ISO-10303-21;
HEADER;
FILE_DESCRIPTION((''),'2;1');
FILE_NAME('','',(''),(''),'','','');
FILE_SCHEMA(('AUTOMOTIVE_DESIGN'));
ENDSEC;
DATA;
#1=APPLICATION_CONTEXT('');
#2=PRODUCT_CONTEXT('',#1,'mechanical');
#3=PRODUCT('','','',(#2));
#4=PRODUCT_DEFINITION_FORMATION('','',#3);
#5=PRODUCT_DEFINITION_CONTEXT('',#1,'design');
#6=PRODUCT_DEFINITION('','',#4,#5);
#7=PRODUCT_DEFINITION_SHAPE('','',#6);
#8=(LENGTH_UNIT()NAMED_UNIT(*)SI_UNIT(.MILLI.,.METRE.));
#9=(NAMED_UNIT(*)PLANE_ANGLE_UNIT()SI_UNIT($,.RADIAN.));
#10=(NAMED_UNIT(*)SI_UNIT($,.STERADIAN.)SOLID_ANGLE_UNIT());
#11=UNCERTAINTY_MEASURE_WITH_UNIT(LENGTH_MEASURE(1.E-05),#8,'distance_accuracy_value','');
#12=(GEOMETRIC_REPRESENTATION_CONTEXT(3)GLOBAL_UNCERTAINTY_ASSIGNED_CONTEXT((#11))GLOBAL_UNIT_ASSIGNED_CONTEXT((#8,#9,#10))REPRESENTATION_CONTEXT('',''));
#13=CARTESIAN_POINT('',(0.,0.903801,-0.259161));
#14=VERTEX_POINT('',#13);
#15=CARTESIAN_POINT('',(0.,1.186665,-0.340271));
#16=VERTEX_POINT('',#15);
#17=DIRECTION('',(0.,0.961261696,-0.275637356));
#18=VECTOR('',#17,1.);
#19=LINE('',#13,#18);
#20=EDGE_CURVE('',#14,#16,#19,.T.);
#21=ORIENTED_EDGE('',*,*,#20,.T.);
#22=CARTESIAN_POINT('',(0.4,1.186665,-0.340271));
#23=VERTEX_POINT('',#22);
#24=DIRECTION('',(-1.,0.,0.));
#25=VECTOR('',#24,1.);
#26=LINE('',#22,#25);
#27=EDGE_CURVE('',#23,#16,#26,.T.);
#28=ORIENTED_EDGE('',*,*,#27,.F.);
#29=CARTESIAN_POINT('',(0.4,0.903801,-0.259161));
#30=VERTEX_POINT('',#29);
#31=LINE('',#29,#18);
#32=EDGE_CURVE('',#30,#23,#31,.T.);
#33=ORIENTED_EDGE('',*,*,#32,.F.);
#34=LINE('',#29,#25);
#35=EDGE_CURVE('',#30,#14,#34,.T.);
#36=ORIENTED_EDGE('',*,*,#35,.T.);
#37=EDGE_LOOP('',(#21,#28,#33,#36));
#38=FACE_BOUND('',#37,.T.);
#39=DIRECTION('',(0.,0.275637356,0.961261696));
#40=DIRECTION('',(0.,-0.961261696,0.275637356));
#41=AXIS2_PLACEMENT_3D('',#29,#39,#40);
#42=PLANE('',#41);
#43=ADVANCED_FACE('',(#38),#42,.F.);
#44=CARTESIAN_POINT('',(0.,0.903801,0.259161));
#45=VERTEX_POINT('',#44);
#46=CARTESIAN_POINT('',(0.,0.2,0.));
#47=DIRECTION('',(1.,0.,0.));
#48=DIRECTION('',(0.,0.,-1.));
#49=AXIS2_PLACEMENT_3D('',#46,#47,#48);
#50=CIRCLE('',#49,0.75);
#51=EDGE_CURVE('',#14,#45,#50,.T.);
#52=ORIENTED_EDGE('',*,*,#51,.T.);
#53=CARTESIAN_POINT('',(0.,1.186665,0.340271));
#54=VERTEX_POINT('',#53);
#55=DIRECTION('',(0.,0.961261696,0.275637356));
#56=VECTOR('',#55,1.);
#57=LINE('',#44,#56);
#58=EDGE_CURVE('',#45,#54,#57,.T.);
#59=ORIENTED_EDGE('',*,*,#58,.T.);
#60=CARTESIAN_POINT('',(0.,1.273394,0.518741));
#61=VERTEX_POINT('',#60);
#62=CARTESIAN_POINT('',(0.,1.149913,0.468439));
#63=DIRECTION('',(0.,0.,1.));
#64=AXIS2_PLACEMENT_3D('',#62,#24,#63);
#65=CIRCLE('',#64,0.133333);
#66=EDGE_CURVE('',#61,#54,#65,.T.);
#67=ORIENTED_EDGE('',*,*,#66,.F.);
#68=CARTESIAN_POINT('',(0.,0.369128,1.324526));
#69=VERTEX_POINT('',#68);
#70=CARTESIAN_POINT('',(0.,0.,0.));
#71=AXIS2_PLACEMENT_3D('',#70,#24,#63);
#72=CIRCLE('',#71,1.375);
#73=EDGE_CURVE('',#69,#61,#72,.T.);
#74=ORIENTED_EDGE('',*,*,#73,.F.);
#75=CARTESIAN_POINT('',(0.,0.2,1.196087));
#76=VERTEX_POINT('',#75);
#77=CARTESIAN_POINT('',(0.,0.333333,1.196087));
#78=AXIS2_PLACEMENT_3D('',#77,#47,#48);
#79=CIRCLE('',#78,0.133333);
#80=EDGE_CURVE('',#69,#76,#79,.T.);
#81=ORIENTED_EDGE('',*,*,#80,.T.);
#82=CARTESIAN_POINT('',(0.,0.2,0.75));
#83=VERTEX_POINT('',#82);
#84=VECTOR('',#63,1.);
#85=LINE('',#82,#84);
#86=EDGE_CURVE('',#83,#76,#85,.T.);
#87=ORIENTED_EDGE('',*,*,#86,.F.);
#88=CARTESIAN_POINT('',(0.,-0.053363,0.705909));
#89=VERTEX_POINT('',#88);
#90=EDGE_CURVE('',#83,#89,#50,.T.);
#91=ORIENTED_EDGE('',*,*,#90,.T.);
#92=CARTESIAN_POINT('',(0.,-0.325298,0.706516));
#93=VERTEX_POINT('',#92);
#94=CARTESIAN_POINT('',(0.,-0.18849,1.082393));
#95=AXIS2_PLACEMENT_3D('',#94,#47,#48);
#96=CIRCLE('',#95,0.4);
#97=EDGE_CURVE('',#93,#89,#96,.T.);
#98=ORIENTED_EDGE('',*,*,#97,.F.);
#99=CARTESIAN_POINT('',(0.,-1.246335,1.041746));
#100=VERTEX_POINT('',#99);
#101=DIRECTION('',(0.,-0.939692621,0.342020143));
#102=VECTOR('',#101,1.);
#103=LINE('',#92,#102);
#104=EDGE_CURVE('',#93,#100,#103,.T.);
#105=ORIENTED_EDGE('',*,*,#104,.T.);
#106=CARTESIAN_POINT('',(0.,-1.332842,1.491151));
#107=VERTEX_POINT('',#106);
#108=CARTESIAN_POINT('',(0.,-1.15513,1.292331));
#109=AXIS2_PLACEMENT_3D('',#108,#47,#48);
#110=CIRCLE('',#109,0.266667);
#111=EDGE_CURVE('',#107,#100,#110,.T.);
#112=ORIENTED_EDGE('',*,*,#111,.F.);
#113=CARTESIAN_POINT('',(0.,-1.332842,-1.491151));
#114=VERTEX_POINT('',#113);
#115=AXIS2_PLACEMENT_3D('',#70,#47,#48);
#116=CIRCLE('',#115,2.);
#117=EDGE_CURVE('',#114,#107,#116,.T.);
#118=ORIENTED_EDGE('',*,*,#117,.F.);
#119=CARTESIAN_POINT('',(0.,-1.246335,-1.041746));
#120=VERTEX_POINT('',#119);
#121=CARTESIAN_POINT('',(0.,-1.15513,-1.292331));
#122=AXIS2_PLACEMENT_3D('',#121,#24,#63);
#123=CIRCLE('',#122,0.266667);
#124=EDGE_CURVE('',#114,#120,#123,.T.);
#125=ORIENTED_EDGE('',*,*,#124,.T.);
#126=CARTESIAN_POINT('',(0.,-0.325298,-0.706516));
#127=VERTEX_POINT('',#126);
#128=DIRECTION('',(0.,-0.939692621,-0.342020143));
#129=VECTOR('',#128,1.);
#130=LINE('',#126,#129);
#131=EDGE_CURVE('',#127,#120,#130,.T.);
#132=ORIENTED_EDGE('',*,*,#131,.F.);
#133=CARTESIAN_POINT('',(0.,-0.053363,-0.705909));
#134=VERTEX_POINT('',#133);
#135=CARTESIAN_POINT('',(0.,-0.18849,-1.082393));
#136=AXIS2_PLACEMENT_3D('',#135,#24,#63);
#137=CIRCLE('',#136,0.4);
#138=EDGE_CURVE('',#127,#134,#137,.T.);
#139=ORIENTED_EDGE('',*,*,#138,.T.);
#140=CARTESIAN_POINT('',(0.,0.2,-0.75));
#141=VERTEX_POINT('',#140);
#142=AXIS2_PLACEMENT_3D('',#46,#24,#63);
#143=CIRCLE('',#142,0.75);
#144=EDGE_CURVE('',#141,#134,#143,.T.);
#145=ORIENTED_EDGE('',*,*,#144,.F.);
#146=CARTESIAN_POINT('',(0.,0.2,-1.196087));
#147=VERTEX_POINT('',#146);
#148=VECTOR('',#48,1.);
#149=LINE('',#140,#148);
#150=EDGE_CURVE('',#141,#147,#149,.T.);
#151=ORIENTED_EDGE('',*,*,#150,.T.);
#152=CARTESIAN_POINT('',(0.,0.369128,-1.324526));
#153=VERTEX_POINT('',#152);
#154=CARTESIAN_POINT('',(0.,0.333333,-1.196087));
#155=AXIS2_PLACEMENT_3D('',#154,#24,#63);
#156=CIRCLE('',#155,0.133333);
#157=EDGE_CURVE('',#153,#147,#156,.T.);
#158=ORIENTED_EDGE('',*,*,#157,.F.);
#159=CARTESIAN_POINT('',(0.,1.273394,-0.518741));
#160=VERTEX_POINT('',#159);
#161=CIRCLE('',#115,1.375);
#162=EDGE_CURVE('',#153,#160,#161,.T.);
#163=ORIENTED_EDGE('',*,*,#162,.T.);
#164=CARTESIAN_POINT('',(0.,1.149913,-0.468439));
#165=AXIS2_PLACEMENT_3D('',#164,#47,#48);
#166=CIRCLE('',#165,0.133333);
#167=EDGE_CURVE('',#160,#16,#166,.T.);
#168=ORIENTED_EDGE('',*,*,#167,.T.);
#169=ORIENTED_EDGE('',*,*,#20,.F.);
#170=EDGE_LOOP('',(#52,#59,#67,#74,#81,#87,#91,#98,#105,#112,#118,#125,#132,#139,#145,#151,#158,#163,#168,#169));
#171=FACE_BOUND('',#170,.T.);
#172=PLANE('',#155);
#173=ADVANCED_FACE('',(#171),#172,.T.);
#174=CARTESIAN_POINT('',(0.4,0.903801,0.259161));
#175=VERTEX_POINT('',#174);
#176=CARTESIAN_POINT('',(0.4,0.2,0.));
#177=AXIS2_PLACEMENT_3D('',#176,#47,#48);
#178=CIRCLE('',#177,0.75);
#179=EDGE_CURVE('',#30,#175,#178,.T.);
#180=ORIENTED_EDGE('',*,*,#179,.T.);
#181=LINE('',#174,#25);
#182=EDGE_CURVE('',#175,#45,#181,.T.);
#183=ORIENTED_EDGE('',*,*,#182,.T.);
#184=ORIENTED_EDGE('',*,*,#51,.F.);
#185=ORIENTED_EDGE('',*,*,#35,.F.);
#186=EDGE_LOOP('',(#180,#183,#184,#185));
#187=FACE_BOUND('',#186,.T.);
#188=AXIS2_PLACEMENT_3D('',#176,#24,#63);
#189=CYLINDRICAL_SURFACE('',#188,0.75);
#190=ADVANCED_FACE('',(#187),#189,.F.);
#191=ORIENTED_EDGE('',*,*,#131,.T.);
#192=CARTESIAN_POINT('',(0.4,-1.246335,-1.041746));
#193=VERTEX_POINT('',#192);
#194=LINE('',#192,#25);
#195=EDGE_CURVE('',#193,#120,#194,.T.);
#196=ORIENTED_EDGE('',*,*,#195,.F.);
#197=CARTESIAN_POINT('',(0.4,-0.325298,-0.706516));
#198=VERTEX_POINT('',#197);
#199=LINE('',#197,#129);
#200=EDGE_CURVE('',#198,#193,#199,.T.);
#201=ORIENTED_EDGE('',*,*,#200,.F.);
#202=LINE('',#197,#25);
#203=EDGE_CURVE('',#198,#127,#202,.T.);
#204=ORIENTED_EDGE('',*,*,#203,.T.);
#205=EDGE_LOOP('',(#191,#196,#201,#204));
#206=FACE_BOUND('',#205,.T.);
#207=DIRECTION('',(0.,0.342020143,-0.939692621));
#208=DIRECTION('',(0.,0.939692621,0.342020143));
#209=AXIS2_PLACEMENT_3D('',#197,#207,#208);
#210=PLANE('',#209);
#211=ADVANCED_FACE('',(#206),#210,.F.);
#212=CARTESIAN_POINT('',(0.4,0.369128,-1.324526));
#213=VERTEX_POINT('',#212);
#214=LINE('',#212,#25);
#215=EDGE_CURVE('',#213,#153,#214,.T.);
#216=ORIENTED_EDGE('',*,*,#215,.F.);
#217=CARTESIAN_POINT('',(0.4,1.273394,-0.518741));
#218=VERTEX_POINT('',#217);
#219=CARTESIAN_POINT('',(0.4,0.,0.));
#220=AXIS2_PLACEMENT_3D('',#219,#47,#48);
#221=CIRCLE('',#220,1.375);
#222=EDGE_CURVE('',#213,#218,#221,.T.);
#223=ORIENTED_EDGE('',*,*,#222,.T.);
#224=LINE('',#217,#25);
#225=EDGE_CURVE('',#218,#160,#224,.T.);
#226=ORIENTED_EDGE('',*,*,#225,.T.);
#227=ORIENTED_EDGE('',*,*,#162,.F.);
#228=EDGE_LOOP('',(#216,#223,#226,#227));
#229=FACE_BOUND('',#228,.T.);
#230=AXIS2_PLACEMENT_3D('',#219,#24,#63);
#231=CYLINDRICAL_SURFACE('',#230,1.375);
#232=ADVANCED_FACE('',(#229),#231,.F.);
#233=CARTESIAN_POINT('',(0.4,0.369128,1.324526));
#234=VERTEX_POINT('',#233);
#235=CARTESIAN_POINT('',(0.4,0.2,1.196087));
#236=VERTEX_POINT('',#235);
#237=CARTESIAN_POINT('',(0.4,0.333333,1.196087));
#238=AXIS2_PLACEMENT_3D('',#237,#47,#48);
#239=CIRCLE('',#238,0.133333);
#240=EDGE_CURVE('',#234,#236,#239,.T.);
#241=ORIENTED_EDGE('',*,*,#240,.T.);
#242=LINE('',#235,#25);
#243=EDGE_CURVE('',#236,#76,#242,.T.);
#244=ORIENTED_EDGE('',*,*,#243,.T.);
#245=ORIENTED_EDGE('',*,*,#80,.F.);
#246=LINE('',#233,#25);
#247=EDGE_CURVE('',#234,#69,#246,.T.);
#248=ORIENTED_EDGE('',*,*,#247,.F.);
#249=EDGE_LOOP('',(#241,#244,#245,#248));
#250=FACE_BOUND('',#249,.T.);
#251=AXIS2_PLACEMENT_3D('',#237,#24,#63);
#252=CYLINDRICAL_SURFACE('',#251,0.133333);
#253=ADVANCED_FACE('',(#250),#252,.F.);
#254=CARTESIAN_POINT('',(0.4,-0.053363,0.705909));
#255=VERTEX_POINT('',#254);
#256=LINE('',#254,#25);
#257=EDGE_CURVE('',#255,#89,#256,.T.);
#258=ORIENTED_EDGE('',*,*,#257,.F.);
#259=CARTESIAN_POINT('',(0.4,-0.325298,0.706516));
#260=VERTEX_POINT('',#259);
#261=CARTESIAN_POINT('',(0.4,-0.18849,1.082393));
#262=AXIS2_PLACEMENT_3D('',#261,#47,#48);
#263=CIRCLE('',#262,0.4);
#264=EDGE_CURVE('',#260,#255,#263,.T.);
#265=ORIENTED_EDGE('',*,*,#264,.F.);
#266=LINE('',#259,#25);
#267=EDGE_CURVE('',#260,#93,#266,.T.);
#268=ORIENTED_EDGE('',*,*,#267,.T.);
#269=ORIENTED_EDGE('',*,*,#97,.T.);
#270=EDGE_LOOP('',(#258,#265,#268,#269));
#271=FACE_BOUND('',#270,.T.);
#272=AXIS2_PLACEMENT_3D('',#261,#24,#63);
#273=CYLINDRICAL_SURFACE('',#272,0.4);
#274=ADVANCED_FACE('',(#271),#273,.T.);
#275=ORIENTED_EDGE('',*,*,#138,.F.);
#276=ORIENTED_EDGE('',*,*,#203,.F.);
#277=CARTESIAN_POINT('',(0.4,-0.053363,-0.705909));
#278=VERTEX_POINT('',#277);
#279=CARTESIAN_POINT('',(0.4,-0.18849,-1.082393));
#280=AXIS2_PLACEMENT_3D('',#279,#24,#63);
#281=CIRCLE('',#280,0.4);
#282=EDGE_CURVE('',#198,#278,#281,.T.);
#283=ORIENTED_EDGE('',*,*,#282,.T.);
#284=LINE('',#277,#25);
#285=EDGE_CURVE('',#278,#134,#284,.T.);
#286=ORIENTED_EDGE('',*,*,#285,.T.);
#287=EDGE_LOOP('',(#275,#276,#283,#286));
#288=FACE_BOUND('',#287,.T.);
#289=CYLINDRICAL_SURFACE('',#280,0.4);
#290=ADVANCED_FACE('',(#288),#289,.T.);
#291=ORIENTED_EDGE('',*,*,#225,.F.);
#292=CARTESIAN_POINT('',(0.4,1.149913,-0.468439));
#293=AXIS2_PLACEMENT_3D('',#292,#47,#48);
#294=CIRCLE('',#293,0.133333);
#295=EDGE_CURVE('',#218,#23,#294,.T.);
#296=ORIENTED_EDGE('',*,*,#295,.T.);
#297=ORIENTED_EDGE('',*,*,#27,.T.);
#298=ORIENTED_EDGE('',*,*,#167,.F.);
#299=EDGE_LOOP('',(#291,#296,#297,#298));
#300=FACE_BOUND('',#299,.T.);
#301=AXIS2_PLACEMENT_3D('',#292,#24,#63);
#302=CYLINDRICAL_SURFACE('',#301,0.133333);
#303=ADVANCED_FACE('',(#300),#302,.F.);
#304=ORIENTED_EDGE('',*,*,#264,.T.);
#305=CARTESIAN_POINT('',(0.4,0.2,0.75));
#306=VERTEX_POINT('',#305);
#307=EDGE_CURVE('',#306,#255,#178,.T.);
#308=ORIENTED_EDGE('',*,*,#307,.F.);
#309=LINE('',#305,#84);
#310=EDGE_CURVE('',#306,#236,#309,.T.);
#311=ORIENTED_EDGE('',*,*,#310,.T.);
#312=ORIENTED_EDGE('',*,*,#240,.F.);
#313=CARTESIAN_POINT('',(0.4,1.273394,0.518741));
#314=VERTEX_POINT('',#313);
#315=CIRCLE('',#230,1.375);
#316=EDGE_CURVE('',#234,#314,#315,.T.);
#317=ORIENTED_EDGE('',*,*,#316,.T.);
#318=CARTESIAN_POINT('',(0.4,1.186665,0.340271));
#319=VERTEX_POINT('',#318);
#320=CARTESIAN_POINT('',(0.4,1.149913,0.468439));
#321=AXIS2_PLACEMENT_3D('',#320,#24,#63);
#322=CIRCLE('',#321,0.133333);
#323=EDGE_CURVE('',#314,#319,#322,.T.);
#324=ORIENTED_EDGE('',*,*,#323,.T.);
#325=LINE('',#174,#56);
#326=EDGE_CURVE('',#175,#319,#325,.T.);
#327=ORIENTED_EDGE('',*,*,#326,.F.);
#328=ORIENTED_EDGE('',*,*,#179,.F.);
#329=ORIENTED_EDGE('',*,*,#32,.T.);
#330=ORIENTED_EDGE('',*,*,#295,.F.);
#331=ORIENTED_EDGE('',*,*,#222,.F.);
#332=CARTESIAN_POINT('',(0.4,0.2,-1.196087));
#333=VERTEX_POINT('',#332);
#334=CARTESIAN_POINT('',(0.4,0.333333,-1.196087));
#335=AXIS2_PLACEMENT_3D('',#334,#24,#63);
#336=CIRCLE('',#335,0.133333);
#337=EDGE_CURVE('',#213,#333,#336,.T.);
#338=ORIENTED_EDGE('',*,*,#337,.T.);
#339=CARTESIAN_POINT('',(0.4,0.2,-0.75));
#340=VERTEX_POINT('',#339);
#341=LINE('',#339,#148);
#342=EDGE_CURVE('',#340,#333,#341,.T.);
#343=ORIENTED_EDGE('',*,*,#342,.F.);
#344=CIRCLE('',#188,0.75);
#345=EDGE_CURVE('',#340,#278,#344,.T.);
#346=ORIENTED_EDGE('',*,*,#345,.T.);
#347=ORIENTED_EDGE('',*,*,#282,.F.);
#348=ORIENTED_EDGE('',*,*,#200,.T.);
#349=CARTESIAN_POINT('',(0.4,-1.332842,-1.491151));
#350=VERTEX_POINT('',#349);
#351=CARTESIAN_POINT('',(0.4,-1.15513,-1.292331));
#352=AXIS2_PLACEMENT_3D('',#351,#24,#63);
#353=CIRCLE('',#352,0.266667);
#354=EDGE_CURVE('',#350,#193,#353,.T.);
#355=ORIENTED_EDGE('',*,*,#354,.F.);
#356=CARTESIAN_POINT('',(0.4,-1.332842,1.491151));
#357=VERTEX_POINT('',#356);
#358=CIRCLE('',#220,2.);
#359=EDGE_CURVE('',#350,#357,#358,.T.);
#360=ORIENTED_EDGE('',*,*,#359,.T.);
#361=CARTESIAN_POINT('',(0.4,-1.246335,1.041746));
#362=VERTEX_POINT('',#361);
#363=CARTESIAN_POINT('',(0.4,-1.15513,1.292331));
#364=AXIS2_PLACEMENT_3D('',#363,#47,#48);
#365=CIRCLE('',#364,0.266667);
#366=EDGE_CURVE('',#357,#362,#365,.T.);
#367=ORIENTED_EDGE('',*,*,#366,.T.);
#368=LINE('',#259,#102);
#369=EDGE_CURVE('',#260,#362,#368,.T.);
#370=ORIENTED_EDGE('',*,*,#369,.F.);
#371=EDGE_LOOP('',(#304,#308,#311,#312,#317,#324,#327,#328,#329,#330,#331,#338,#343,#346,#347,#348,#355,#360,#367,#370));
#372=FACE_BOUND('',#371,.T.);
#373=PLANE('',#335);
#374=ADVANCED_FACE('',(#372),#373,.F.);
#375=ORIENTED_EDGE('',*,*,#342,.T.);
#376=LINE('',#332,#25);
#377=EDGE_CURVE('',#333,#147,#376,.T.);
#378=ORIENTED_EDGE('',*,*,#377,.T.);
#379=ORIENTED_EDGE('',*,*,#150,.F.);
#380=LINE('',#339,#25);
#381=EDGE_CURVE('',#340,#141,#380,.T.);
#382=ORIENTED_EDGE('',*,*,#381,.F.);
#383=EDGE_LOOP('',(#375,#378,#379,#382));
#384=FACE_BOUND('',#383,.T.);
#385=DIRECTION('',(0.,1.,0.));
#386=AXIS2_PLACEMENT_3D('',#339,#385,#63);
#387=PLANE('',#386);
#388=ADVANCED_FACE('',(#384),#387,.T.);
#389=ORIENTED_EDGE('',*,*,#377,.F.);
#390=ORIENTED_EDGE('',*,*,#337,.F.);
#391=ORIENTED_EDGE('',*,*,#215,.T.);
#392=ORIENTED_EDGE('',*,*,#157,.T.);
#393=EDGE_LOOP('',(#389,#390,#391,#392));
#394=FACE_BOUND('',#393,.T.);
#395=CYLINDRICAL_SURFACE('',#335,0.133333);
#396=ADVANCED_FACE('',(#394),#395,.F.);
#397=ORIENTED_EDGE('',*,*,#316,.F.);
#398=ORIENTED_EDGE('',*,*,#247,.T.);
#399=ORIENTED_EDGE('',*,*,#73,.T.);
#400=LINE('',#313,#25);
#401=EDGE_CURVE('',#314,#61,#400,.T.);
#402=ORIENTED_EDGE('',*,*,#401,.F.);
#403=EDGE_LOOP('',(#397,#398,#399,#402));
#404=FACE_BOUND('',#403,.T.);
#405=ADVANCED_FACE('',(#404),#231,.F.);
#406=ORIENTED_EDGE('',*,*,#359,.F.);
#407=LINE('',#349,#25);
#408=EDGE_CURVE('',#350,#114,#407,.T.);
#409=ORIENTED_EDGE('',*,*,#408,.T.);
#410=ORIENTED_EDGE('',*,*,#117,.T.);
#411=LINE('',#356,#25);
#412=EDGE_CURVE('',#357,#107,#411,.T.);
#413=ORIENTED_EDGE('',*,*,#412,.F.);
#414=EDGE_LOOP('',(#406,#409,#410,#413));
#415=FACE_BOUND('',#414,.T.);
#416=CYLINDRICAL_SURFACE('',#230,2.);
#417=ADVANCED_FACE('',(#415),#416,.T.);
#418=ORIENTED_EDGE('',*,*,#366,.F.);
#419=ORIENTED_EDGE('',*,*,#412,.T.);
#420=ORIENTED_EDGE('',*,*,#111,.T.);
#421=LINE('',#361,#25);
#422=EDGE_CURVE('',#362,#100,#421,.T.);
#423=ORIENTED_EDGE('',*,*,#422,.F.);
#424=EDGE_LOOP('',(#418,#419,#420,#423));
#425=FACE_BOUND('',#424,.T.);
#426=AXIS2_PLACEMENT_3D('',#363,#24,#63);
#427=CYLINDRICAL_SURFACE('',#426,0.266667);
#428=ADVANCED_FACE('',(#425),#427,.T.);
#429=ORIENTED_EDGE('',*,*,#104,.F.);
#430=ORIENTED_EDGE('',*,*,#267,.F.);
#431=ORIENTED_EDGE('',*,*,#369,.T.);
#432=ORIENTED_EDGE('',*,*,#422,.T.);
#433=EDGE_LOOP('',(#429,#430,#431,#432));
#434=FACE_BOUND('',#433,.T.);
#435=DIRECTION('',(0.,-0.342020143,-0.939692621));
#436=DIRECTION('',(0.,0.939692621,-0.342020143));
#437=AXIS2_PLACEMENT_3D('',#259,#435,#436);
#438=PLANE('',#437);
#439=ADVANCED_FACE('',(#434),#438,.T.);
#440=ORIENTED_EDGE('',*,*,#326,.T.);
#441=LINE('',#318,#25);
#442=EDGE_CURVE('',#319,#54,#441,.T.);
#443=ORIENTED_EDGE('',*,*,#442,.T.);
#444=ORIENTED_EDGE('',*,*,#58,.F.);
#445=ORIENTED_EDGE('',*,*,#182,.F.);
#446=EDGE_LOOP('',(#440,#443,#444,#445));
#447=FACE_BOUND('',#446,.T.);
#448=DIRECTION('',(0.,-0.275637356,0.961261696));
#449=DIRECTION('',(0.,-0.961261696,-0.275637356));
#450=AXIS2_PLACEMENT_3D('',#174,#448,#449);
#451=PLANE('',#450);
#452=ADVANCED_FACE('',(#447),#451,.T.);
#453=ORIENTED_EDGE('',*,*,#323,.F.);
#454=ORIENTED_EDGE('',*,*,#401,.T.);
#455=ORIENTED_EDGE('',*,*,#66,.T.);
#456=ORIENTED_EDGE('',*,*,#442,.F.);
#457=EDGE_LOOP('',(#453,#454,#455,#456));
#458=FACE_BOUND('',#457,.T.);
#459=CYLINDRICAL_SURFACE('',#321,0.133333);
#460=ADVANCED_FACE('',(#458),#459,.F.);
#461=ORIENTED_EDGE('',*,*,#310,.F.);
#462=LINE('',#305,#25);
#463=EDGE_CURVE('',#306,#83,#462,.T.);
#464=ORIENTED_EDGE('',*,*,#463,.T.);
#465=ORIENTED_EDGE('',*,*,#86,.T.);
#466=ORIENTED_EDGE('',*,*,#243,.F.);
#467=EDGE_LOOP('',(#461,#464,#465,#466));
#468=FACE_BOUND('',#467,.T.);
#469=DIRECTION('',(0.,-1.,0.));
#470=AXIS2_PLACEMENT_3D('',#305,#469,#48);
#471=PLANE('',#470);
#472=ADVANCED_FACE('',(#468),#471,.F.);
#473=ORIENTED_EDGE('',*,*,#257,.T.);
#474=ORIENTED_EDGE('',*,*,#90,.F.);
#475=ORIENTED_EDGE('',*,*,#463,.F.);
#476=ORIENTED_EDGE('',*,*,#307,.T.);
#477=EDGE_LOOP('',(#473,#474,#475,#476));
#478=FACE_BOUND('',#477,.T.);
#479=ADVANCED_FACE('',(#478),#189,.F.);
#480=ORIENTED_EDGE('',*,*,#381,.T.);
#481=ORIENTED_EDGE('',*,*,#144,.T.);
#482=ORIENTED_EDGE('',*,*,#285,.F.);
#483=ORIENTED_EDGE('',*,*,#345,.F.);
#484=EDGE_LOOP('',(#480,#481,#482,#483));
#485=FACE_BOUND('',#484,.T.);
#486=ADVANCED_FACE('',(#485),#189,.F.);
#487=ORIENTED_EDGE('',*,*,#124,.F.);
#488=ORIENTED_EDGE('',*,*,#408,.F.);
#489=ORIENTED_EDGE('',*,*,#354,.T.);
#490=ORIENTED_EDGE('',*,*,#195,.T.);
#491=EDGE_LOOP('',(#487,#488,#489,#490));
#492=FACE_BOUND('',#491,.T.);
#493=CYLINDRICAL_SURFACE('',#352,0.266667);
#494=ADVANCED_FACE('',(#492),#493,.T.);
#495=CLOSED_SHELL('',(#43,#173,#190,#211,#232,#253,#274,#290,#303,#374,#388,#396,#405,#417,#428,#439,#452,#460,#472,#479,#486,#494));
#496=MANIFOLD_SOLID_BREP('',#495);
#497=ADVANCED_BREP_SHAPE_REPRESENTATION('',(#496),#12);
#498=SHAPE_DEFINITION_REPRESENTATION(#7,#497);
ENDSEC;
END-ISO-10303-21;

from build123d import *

# Parameters (mm, degrees)
BASE_EXTRUSION_DEPTH = 0.4


with BuildPart() as part:
    # Esquisse1 → Base-Extrusion (new body)
    with BuildSketch(Plane(origin=(0, 0, 0), x_dir=(0, 0, -1), z_dir=(1, 0, 0))):
        with BuildLine():
            Line((0.259160739, 0.903800903), (0.340270753, 1.186665137))
            ThreePointArc((0.340270753, 1.186665137), (0.410161537, 1.269836455), (0.518741151, 1.273394133))
            ThreePointArc((0.518741151, 1.273394133), (1.026563801, 0.914763228), (1.324526284, 0.369127517))
            ThreePointArc((1.324526284, 0.369127517), (1.302271964, 0.252694571), (1.196087371, 0.2))
            Line((1.196087371, 0.2), (0.75, 0.2))
            ThreePointArc((0.75, 0.2), (0.738894958, 0.071414458), (0.705908689, -0.053363222))
            ThreePointArc((0.705908689, -0.053363222), (0.682394322, -0.189383994), (0.706516275, -0.325298332))
            Line((0.706516275, -0.325298332), (1.041746298, -1.246335251))
            ThreePointArc((1.041746298, -1.246335251), (1.241925107, -1.416989302), (1.491151151, -1.332842168))
            ThreePointArc((1.491151151, -1.332842168), (0, 2), (-1.491151151, -1.332842168))
            ThreePointArc((-1.491151151, -1.332842168), (-1.241925107, -1.416989302), (-1.041746298, -1.246335251))
            Line((-1.041746298, -1.246335251), (-0.706516275, -0.325298332))
            ThreePointArc((-0.706516275, -0.325298332), (-0.682394322, -0.189383994), (-0.705908689, -0.053363222))
            ThreePointArc((-0.705908689, -0.053363222), (-0.738894958, 0.071414458), (-0.75, 0.2))
            Line((-0.75, 0.2), (-1.196087371, 0.2))
            ThreePointArc((-1.196087371, 0.2), (-1.302271964, 0.252694571), (-1.324526284, 0.369127517))
            ThreePointArc((-1.324526284, 0.369127517), (-1.026563801, 0.914763228), (-0.518741151, 1.273394133))
            ThreePointArc((-0.518741151, 1.273394133), (-0.410161537, 1.269836455), (-0.340270753, 1.186665137))
            Line((-0.340270753, 1.186665137), (-0.259160739, 0.903800903))
            ThreePointArc((-0.259160739, 0.903800903), (0, 0.95), (0.259160739, 0.903800903))
        make_face()
    extrude(amount=BASE_EXTRUSION_DEPTH)


solid = part.part
